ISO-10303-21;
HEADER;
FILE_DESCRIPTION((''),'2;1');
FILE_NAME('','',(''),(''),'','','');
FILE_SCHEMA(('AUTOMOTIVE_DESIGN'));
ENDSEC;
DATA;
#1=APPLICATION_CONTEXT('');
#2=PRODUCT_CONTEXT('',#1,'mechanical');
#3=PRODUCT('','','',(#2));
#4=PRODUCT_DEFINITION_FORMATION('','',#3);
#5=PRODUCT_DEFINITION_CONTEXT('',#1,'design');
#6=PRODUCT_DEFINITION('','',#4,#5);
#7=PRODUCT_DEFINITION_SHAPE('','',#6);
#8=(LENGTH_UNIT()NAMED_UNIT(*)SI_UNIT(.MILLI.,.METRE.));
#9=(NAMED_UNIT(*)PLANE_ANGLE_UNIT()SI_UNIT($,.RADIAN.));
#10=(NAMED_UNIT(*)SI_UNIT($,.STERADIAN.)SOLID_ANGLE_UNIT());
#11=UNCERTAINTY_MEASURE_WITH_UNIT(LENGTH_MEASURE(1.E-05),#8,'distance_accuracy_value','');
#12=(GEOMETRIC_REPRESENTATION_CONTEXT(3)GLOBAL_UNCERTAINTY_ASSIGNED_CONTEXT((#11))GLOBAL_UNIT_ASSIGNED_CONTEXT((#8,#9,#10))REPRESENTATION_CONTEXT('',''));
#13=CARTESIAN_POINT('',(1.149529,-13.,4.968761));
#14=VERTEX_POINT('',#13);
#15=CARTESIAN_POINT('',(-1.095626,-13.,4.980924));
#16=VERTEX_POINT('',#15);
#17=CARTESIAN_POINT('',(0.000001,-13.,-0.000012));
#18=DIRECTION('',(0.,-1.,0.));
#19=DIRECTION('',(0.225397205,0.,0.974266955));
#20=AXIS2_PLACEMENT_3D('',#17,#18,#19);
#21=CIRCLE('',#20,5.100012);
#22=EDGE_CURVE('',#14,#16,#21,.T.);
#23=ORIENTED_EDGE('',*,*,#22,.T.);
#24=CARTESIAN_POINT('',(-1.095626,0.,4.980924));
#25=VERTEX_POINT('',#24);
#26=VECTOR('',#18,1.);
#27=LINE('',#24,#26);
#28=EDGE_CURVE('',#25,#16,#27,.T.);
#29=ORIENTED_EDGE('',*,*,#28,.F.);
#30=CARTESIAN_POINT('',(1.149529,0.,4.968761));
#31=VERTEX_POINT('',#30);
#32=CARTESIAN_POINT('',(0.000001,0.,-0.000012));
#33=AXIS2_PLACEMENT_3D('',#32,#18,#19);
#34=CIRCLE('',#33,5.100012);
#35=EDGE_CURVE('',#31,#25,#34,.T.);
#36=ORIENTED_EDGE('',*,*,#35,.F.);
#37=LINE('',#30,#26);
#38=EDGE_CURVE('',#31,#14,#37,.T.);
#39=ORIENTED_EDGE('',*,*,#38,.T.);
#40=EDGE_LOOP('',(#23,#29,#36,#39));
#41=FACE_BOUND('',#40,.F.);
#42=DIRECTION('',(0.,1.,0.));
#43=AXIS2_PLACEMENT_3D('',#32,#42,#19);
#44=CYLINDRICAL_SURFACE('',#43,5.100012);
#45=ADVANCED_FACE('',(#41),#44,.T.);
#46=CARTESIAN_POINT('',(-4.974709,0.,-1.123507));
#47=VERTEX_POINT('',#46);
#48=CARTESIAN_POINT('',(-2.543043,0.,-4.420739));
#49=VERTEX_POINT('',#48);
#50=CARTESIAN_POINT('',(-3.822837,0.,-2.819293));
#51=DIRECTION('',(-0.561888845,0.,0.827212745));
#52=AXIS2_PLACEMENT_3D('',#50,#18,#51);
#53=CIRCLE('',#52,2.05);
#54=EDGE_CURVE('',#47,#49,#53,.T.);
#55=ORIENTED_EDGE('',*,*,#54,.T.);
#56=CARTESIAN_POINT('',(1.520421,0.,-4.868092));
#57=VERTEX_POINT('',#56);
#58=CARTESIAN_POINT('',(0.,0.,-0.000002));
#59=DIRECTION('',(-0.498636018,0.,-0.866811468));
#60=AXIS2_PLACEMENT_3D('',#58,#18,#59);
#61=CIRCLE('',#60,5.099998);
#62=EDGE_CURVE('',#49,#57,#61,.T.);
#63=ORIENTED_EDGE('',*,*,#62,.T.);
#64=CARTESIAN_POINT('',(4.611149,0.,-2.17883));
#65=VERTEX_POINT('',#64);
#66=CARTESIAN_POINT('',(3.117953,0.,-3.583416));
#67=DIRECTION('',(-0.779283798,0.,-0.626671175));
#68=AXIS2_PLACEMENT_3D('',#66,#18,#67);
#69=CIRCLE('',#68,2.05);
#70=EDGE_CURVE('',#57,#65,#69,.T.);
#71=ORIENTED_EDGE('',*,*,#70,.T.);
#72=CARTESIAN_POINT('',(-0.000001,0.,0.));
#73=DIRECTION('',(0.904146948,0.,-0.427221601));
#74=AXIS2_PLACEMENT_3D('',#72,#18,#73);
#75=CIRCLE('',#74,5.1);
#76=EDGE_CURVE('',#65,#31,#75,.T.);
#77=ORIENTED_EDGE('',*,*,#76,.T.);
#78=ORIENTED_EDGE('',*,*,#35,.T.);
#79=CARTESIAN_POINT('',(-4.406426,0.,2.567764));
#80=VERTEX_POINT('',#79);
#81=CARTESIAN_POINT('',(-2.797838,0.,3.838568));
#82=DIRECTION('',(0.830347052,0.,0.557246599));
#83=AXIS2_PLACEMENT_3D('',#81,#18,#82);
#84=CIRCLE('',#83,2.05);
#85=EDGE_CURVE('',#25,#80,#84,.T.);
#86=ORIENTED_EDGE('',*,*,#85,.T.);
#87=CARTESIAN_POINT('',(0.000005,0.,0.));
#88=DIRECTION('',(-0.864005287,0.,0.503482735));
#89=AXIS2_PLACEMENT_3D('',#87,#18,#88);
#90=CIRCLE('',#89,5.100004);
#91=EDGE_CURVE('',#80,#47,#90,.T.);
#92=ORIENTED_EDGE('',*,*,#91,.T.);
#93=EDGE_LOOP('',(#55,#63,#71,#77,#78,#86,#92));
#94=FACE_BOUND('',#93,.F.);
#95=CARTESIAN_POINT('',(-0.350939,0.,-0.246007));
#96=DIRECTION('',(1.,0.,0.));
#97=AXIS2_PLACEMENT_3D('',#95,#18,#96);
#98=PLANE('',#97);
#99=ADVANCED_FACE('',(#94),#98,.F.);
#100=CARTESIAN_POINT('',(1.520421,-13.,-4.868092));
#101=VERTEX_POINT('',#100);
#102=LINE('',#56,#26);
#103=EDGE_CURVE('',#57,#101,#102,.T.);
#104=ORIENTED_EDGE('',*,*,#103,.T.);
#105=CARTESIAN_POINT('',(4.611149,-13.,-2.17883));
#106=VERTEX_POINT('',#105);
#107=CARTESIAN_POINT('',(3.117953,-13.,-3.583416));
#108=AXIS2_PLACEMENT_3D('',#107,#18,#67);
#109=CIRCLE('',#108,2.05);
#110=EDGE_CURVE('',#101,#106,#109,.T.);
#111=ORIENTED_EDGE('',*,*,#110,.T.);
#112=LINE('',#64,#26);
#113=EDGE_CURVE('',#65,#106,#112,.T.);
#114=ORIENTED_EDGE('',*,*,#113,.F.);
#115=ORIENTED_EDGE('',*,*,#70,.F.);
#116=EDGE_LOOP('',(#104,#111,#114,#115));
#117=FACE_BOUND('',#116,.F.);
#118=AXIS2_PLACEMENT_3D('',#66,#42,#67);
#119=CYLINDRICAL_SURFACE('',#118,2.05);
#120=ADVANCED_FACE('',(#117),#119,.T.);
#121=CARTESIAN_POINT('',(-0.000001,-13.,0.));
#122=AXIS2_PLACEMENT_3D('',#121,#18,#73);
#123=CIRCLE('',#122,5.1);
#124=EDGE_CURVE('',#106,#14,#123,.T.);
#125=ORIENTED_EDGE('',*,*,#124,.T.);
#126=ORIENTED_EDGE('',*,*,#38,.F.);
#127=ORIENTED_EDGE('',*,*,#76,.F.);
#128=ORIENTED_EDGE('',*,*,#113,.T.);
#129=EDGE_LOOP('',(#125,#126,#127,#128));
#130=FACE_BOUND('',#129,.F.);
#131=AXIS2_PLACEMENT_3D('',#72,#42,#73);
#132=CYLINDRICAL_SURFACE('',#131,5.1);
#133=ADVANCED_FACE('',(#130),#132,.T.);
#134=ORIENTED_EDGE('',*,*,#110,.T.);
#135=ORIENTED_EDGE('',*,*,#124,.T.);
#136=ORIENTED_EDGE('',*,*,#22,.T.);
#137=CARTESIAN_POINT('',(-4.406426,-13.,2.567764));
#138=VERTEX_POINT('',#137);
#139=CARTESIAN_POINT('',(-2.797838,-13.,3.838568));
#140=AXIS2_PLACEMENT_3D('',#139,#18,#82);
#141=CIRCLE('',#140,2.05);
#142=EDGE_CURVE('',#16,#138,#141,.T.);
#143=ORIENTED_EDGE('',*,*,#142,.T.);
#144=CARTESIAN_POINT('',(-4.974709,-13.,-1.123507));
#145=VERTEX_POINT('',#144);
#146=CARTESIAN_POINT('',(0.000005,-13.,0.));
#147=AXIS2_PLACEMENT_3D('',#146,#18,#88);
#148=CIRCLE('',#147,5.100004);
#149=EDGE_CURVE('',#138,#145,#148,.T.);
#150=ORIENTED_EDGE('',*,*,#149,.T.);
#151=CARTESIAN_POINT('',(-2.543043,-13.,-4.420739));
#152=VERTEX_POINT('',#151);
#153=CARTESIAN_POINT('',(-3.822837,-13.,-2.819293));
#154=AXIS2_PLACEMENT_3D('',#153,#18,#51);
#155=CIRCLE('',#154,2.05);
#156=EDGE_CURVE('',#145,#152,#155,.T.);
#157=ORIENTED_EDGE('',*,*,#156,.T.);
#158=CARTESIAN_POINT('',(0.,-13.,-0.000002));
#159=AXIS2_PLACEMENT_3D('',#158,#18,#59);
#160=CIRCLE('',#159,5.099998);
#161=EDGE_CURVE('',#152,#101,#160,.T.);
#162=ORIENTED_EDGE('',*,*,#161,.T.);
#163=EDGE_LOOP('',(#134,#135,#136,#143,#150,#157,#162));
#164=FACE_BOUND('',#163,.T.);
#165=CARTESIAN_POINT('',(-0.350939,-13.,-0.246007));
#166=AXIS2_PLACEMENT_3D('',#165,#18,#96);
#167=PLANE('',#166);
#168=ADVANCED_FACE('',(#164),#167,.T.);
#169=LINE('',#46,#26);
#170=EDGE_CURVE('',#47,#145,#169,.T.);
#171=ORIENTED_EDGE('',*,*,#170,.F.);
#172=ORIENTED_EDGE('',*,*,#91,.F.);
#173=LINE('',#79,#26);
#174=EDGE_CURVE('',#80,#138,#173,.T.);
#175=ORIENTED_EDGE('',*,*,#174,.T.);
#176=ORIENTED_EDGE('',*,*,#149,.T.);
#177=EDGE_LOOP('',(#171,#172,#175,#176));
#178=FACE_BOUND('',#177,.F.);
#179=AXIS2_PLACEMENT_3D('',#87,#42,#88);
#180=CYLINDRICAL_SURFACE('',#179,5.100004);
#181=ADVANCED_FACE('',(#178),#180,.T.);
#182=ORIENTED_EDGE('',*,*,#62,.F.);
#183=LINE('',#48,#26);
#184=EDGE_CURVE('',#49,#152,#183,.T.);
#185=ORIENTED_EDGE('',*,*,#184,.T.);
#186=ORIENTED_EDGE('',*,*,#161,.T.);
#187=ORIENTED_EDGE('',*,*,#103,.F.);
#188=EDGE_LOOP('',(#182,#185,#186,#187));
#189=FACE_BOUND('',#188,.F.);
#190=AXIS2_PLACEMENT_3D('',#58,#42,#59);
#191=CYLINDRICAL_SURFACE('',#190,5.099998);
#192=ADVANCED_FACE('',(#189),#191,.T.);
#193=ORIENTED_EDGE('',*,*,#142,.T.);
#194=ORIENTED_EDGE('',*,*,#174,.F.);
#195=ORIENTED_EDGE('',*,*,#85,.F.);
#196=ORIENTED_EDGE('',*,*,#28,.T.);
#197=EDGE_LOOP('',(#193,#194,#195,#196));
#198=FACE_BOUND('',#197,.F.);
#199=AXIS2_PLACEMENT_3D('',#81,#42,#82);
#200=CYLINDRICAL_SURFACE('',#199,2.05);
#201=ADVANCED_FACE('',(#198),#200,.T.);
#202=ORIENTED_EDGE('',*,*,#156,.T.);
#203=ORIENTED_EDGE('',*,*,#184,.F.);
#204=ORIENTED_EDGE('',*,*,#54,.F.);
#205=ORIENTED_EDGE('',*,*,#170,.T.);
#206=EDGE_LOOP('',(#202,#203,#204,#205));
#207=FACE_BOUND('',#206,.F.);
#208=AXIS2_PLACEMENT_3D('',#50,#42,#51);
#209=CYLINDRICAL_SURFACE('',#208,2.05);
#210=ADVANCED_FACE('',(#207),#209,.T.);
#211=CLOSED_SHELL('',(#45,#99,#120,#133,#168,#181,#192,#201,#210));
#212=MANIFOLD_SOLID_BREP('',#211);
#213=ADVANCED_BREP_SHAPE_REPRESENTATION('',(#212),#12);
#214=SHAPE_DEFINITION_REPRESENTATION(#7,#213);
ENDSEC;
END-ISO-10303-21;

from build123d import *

# Parameters (mm, degrees)
F1_DEPTH = 13


with BuildPart() as f1:
    # F0 (on Front) → F1 (new body)
    with BuildSketch(Plane.XZ):
        with BuildLine():
            ThreePointArc((4.611149, -2.17883), (4.590029, 2.222978), (1.149529, 4.968761))
            ThreePointArc((1.149529, 4.968761), (0.02763, 5.099925), (-1.095626, 4.980924))
            ThreePointArc((-1.095626, 4.980924), (-4.005325, 5.495214), (-4.406426, 2.567764))
            ThreePointArc((-4.406426, 2.567764), (-5.040614, 0.77602), (-4.974709, -1.123507))
            ThreePointArc((-4.974709, -1.123507), (-5.472693, -4.036041), (-2.543043, -4.420739))
            ThreePointArc((-2.543043, -4.420739), (-0.558095, -5.069372), (1.520421, -4.868092))
            ThreePointArc((1.520421, -4.868092), (4.463595, -5.129943), (4.611149, -2.17883))
        make_face()
    extrude(amount=F1_DEPTH)


solid = f1.part
